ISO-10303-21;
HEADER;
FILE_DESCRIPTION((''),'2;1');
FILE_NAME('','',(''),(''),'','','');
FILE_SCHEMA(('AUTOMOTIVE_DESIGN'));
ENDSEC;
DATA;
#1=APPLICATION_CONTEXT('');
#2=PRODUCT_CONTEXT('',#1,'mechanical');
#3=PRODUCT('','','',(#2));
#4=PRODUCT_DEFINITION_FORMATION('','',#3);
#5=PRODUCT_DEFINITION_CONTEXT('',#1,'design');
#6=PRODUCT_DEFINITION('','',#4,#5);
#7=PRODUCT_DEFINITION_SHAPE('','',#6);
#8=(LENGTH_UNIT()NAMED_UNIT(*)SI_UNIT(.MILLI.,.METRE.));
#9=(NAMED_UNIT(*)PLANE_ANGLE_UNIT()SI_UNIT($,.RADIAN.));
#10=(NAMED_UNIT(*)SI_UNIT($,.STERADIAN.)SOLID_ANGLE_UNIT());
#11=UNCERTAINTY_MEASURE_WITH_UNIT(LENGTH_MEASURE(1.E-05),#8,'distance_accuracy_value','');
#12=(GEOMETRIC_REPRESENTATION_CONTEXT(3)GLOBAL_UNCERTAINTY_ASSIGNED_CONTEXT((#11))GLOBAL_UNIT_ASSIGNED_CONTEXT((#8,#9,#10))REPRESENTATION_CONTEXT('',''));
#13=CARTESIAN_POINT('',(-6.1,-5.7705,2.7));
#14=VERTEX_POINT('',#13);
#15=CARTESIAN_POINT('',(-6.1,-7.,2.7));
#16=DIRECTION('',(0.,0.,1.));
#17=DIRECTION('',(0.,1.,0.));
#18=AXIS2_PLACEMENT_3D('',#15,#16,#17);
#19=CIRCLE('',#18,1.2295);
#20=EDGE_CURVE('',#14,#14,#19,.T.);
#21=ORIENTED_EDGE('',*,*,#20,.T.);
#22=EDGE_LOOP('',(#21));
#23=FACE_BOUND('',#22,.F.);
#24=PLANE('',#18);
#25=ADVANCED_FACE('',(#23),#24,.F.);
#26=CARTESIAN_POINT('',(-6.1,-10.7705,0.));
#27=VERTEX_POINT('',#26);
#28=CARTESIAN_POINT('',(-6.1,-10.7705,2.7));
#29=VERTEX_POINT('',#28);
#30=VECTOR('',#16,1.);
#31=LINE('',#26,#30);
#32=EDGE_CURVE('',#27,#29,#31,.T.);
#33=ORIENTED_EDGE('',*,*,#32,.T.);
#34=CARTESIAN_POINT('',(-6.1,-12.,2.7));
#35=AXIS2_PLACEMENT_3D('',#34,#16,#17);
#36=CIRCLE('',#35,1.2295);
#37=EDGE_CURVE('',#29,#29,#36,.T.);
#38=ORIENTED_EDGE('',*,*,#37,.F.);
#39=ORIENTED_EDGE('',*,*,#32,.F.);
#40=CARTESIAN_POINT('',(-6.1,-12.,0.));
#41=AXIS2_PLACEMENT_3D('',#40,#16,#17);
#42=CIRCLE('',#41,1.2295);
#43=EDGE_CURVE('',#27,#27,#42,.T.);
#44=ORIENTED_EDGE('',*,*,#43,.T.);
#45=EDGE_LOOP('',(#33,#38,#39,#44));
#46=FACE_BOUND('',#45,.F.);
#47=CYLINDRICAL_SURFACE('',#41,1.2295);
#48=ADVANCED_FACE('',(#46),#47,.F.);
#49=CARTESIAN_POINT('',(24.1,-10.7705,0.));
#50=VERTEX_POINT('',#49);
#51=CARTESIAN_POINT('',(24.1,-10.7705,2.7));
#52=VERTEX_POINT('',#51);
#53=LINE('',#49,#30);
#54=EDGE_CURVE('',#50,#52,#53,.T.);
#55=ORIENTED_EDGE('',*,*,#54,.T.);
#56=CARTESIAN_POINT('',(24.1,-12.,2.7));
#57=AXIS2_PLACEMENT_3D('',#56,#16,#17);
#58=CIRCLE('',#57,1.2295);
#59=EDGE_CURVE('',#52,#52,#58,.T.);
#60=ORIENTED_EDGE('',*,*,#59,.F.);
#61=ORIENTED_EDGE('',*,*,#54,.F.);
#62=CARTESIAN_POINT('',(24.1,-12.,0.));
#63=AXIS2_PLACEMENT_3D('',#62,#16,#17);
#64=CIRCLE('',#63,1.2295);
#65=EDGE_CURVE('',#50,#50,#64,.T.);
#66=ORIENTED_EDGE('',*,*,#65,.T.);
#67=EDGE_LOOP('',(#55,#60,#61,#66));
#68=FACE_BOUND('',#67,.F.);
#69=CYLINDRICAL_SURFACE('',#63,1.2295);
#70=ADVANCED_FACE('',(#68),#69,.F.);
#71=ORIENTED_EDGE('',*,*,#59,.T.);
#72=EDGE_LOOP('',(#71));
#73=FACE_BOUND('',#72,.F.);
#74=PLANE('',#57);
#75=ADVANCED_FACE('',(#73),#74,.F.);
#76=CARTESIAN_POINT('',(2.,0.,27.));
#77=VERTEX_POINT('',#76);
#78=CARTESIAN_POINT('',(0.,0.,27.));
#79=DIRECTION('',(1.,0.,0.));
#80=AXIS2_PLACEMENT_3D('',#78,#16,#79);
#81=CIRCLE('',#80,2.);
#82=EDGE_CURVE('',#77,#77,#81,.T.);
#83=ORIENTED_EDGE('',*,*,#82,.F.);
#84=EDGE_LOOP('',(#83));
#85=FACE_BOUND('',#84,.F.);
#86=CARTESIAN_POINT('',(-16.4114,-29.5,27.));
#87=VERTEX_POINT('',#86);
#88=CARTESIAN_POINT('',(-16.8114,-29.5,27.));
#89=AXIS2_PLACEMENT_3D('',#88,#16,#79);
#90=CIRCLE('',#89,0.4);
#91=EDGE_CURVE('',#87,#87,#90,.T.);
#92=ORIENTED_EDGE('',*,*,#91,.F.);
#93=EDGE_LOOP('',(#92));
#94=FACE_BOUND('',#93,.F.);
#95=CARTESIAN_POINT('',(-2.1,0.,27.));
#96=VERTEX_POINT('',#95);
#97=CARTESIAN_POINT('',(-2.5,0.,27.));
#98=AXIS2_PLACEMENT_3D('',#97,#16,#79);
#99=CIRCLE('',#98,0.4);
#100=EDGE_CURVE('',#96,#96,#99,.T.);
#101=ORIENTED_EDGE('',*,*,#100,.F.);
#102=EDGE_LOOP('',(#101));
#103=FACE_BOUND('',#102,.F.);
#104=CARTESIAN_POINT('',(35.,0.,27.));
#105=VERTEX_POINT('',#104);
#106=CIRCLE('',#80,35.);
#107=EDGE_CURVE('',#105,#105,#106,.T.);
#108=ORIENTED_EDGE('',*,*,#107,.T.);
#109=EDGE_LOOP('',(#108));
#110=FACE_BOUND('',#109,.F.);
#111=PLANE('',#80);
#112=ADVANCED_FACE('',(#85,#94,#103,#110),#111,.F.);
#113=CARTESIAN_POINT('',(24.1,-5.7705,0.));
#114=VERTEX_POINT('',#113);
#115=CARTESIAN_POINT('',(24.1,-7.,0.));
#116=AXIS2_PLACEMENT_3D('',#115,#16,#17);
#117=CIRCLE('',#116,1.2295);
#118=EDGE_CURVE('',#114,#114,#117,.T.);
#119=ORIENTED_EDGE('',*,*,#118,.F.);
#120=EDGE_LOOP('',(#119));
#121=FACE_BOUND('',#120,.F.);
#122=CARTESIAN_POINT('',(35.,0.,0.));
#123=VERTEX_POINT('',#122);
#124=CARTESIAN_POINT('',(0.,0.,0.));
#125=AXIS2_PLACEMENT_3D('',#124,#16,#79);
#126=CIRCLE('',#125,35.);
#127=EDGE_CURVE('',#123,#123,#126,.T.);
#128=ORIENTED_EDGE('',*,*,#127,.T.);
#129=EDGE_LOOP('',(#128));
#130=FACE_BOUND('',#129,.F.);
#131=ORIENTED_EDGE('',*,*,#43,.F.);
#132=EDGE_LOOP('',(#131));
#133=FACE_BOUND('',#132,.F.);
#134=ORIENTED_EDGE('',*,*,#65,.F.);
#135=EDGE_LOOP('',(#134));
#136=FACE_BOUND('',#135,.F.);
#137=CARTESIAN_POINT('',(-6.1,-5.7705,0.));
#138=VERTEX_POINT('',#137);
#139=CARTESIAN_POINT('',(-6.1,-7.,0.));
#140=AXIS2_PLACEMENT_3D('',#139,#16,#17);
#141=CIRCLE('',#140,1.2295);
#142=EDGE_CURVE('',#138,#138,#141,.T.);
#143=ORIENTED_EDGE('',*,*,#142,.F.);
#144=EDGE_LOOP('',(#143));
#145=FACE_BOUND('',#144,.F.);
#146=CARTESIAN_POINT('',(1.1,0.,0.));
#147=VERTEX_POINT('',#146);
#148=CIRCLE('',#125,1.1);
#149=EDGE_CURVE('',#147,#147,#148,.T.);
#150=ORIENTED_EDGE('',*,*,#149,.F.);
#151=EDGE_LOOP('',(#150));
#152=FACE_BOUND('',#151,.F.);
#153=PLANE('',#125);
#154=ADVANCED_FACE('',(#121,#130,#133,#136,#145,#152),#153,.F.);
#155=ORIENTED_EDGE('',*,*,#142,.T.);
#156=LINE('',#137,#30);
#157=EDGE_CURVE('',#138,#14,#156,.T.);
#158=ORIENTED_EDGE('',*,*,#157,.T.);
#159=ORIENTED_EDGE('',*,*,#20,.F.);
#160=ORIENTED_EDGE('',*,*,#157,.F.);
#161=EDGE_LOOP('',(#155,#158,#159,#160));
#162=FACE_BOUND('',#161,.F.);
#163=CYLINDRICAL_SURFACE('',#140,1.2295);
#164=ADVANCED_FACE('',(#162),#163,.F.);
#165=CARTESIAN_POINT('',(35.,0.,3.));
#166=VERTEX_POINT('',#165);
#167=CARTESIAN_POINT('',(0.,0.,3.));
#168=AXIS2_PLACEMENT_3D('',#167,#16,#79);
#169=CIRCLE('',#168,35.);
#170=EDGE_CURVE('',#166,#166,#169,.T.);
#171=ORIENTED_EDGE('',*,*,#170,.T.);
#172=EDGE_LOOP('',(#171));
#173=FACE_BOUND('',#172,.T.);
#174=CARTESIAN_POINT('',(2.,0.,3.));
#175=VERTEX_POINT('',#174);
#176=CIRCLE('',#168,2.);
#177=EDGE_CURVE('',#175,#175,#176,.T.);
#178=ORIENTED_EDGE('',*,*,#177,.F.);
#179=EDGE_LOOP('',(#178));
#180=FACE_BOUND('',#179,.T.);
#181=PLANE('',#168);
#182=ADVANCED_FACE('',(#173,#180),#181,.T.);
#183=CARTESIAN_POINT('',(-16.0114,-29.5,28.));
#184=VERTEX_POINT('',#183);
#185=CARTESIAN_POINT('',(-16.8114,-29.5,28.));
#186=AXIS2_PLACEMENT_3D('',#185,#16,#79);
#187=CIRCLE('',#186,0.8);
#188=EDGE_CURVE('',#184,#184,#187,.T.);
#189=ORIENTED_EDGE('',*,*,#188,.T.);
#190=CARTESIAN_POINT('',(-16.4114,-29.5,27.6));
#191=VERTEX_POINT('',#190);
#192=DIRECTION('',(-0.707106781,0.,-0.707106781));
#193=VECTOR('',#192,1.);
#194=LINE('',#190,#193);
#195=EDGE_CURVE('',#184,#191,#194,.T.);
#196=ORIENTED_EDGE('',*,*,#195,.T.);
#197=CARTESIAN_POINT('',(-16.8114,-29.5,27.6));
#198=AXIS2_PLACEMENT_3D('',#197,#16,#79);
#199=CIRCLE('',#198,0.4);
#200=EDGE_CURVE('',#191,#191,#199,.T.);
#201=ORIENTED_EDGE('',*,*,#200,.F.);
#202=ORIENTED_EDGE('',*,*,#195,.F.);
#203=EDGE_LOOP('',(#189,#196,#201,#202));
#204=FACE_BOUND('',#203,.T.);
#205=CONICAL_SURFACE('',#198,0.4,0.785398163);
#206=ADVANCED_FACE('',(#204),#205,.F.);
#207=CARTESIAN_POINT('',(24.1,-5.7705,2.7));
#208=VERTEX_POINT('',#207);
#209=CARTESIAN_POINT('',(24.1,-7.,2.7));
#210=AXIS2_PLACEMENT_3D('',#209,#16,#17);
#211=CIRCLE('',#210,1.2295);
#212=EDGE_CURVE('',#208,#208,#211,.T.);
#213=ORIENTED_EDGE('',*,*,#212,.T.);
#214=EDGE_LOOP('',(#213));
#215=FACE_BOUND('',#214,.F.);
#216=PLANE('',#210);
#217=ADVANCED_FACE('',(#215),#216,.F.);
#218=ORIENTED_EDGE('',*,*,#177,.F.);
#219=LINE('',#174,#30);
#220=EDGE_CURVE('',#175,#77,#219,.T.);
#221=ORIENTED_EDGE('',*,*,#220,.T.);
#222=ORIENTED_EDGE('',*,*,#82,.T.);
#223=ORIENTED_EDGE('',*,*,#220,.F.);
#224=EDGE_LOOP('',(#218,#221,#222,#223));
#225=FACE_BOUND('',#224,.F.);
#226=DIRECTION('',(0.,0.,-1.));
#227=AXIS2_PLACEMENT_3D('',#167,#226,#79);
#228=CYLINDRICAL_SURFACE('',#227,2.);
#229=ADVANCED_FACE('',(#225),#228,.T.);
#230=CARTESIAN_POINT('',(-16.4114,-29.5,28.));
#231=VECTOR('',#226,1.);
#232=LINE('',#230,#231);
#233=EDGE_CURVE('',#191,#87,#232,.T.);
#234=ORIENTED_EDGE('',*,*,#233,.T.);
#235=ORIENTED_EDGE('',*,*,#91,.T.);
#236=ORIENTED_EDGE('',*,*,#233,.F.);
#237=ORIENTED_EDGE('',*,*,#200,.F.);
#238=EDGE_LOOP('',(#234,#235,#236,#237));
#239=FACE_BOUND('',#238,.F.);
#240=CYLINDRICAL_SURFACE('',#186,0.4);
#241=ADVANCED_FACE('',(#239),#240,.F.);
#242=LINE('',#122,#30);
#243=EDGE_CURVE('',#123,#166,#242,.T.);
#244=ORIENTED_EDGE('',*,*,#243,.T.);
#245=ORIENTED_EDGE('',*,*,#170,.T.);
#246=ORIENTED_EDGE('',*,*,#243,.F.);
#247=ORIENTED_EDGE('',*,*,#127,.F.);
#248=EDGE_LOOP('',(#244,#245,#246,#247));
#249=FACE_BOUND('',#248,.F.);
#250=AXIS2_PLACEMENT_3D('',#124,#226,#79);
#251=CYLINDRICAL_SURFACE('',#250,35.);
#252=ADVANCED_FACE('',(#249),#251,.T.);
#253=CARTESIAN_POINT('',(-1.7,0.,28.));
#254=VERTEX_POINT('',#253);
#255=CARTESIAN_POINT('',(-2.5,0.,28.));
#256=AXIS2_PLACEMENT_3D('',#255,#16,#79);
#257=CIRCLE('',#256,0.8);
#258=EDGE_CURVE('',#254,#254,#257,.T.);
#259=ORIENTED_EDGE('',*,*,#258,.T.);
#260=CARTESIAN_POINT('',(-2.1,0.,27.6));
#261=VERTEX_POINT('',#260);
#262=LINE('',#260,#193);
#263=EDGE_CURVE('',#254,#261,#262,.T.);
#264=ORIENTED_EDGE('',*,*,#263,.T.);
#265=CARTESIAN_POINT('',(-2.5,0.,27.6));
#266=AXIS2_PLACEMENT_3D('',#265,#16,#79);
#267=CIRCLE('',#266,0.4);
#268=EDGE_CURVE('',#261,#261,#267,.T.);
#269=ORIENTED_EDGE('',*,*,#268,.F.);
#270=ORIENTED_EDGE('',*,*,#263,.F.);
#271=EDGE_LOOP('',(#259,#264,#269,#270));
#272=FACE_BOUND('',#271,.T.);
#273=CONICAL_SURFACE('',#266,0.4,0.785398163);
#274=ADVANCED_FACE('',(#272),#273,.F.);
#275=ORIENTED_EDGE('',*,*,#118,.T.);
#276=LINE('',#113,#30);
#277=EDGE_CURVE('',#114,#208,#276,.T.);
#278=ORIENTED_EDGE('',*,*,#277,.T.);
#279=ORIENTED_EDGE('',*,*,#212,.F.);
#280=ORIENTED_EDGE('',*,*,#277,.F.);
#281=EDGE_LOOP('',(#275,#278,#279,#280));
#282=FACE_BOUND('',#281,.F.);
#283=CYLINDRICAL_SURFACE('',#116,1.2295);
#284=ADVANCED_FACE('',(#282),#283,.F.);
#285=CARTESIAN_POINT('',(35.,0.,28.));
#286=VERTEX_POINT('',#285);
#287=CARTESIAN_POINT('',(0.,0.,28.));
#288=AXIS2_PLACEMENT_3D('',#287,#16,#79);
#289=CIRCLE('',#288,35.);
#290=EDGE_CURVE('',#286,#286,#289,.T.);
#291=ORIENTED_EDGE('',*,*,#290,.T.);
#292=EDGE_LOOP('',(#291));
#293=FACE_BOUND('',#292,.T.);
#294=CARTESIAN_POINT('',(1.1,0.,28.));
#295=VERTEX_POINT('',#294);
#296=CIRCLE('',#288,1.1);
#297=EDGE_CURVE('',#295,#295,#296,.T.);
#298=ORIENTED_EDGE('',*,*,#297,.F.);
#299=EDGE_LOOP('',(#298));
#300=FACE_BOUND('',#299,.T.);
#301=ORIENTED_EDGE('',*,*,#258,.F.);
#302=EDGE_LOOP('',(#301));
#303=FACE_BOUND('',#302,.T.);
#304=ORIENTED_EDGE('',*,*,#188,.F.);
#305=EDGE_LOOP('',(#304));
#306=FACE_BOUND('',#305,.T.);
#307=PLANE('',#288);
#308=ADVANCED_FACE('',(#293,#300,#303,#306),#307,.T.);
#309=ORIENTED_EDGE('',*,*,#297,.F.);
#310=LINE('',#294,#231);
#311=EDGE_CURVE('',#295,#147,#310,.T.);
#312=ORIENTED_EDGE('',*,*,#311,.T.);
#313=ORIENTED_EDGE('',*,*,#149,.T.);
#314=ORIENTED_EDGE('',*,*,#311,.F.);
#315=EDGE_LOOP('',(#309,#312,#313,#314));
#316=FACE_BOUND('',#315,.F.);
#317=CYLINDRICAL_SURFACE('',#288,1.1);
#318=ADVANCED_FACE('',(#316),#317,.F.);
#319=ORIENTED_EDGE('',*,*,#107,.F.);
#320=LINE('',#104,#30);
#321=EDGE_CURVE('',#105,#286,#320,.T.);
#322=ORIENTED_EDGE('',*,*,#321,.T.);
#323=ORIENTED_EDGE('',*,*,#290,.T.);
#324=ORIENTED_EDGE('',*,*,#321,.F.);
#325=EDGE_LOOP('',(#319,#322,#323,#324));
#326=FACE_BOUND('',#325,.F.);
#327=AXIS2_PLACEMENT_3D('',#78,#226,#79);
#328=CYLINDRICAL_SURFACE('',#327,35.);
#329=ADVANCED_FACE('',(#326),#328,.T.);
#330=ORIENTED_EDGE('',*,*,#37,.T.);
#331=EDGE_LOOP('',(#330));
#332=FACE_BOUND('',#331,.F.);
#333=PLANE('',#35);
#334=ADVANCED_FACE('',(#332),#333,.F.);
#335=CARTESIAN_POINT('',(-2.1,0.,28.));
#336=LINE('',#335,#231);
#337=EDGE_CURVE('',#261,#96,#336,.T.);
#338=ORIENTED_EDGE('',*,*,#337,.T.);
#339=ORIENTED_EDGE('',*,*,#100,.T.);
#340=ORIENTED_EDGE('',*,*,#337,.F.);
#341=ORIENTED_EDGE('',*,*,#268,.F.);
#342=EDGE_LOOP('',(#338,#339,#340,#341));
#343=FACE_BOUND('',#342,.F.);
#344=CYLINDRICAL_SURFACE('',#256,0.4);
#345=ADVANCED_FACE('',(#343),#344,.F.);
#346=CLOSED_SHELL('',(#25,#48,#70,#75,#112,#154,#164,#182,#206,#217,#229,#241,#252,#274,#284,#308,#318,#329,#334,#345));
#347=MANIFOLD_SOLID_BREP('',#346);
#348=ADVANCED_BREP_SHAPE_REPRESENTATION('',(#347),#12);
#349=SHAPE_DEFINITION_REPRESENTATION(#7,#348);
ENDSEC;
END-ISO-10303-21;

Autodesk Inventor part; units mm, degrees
ref_plane "YZ Plane" through (0, 0, 0) normal (1, 0, 0) x (0, 1, 0)
ref_plane "XZ Plane" through (0, 0, 0) normal (0, 1, 0) x (-1, 0, 0)
ref_plane "XY Plane" through (0, 0, 0) normal (0, 0, 1) x (1, 0, 0)
sketch "Sketch1" plane through (0, 0, 0) normal (0, 0, 1) x (1, 0, 0)
  circle A0 centre (0, 0) radius 35
  dimension "d0" = 70
extrude "Extrusion1" add sketch "Sketch1" along normal blind 3
sketch "Sketch2" plane through (0, 0, 3) normal (0, 0, 1) x (1, 0, 0)
  circle A0 centre (0, 0) radius 2
  dimension "d3" = 4
extrude "Extrusion2" add sketch "Sketch2" along normal blind 24
sketch "Sketch3" plane through (0, 0, 27) normal (0, 0, 1) x (1, 0, 0)
  circle A0 centre (0, 0) radius 35
  dimension "d6" = 70
extrude "Extrusion3" add sketch "Sketch3" along normal blind 1
sketch "Sketch4" plane through (0, 0, 28) normal (0, 0, 1) x (1, 0, 0)
  circle A0 centre (0, 0) radius 1.1
  dimension "d9" = 2.2
extrude "Extrusion4" cut sketch "Sketch4" against normal through all
sketch "Sketch6" plane through (0, 0, 28) normal (0, 0, 1) x (1, 0, 0)
  circle A0 centre (0, 0) radius 2 construction
  circle A1 centre (-16.8114, -29.5) radius 0.4
  circle A2 centre (-2.5, 0) radius 0.4
  circle A3 centre (0, 0) radius 35 projected
  dimension "d20" = 0.8
  dimension "d21" = 0.8
  dimension "d32" = 2.5
  dimension "d41" = 29.5
sketch "Sketch7" plane through (0, 0, 28) normal (0, 0, 1) x (1, 0, 0)
  point P0 (0, 0)
extrude "Extrusion5" cut sketch "Sketch6" against normal up to surface (1 mm away) contours A1 | A2
chamfer "Chamfer1" distance 0.4 angle 45 2 edges at (-2.9, 0, 28) (-17.2114, -29.5, 28)
sketch "Sketch9" plane through (0, 0, 0) normal (0, 0, -1) x (-1, 0, 0)
  point P0 (0, 0)
  point P1 (6.1, -7)
  point P2 (-24.1, -7)
  point P3 (-24.1, -12)
  point P4 (6.1, -12)
  dimension "d44" = 6.1
  dimension "d45" = 24.1
  dimension "d46" = 7
  dimension "d47" = 7
  dimension "d48" = 5
  dimension "d49" = 5
hole "Hole2" at (24.1, -7, 0) at (-6.1, -7, 0) at (24.1, -12, 0) at (-6.1, -12, 0) direction (0, 0, 1) diameter 2.459 depth 2.7 thread size "M3x0.5" class "6H" standard "ISO Metric profile"
loft "Loft1" [suppressed]
properties part number "Bobbin_y_c"
